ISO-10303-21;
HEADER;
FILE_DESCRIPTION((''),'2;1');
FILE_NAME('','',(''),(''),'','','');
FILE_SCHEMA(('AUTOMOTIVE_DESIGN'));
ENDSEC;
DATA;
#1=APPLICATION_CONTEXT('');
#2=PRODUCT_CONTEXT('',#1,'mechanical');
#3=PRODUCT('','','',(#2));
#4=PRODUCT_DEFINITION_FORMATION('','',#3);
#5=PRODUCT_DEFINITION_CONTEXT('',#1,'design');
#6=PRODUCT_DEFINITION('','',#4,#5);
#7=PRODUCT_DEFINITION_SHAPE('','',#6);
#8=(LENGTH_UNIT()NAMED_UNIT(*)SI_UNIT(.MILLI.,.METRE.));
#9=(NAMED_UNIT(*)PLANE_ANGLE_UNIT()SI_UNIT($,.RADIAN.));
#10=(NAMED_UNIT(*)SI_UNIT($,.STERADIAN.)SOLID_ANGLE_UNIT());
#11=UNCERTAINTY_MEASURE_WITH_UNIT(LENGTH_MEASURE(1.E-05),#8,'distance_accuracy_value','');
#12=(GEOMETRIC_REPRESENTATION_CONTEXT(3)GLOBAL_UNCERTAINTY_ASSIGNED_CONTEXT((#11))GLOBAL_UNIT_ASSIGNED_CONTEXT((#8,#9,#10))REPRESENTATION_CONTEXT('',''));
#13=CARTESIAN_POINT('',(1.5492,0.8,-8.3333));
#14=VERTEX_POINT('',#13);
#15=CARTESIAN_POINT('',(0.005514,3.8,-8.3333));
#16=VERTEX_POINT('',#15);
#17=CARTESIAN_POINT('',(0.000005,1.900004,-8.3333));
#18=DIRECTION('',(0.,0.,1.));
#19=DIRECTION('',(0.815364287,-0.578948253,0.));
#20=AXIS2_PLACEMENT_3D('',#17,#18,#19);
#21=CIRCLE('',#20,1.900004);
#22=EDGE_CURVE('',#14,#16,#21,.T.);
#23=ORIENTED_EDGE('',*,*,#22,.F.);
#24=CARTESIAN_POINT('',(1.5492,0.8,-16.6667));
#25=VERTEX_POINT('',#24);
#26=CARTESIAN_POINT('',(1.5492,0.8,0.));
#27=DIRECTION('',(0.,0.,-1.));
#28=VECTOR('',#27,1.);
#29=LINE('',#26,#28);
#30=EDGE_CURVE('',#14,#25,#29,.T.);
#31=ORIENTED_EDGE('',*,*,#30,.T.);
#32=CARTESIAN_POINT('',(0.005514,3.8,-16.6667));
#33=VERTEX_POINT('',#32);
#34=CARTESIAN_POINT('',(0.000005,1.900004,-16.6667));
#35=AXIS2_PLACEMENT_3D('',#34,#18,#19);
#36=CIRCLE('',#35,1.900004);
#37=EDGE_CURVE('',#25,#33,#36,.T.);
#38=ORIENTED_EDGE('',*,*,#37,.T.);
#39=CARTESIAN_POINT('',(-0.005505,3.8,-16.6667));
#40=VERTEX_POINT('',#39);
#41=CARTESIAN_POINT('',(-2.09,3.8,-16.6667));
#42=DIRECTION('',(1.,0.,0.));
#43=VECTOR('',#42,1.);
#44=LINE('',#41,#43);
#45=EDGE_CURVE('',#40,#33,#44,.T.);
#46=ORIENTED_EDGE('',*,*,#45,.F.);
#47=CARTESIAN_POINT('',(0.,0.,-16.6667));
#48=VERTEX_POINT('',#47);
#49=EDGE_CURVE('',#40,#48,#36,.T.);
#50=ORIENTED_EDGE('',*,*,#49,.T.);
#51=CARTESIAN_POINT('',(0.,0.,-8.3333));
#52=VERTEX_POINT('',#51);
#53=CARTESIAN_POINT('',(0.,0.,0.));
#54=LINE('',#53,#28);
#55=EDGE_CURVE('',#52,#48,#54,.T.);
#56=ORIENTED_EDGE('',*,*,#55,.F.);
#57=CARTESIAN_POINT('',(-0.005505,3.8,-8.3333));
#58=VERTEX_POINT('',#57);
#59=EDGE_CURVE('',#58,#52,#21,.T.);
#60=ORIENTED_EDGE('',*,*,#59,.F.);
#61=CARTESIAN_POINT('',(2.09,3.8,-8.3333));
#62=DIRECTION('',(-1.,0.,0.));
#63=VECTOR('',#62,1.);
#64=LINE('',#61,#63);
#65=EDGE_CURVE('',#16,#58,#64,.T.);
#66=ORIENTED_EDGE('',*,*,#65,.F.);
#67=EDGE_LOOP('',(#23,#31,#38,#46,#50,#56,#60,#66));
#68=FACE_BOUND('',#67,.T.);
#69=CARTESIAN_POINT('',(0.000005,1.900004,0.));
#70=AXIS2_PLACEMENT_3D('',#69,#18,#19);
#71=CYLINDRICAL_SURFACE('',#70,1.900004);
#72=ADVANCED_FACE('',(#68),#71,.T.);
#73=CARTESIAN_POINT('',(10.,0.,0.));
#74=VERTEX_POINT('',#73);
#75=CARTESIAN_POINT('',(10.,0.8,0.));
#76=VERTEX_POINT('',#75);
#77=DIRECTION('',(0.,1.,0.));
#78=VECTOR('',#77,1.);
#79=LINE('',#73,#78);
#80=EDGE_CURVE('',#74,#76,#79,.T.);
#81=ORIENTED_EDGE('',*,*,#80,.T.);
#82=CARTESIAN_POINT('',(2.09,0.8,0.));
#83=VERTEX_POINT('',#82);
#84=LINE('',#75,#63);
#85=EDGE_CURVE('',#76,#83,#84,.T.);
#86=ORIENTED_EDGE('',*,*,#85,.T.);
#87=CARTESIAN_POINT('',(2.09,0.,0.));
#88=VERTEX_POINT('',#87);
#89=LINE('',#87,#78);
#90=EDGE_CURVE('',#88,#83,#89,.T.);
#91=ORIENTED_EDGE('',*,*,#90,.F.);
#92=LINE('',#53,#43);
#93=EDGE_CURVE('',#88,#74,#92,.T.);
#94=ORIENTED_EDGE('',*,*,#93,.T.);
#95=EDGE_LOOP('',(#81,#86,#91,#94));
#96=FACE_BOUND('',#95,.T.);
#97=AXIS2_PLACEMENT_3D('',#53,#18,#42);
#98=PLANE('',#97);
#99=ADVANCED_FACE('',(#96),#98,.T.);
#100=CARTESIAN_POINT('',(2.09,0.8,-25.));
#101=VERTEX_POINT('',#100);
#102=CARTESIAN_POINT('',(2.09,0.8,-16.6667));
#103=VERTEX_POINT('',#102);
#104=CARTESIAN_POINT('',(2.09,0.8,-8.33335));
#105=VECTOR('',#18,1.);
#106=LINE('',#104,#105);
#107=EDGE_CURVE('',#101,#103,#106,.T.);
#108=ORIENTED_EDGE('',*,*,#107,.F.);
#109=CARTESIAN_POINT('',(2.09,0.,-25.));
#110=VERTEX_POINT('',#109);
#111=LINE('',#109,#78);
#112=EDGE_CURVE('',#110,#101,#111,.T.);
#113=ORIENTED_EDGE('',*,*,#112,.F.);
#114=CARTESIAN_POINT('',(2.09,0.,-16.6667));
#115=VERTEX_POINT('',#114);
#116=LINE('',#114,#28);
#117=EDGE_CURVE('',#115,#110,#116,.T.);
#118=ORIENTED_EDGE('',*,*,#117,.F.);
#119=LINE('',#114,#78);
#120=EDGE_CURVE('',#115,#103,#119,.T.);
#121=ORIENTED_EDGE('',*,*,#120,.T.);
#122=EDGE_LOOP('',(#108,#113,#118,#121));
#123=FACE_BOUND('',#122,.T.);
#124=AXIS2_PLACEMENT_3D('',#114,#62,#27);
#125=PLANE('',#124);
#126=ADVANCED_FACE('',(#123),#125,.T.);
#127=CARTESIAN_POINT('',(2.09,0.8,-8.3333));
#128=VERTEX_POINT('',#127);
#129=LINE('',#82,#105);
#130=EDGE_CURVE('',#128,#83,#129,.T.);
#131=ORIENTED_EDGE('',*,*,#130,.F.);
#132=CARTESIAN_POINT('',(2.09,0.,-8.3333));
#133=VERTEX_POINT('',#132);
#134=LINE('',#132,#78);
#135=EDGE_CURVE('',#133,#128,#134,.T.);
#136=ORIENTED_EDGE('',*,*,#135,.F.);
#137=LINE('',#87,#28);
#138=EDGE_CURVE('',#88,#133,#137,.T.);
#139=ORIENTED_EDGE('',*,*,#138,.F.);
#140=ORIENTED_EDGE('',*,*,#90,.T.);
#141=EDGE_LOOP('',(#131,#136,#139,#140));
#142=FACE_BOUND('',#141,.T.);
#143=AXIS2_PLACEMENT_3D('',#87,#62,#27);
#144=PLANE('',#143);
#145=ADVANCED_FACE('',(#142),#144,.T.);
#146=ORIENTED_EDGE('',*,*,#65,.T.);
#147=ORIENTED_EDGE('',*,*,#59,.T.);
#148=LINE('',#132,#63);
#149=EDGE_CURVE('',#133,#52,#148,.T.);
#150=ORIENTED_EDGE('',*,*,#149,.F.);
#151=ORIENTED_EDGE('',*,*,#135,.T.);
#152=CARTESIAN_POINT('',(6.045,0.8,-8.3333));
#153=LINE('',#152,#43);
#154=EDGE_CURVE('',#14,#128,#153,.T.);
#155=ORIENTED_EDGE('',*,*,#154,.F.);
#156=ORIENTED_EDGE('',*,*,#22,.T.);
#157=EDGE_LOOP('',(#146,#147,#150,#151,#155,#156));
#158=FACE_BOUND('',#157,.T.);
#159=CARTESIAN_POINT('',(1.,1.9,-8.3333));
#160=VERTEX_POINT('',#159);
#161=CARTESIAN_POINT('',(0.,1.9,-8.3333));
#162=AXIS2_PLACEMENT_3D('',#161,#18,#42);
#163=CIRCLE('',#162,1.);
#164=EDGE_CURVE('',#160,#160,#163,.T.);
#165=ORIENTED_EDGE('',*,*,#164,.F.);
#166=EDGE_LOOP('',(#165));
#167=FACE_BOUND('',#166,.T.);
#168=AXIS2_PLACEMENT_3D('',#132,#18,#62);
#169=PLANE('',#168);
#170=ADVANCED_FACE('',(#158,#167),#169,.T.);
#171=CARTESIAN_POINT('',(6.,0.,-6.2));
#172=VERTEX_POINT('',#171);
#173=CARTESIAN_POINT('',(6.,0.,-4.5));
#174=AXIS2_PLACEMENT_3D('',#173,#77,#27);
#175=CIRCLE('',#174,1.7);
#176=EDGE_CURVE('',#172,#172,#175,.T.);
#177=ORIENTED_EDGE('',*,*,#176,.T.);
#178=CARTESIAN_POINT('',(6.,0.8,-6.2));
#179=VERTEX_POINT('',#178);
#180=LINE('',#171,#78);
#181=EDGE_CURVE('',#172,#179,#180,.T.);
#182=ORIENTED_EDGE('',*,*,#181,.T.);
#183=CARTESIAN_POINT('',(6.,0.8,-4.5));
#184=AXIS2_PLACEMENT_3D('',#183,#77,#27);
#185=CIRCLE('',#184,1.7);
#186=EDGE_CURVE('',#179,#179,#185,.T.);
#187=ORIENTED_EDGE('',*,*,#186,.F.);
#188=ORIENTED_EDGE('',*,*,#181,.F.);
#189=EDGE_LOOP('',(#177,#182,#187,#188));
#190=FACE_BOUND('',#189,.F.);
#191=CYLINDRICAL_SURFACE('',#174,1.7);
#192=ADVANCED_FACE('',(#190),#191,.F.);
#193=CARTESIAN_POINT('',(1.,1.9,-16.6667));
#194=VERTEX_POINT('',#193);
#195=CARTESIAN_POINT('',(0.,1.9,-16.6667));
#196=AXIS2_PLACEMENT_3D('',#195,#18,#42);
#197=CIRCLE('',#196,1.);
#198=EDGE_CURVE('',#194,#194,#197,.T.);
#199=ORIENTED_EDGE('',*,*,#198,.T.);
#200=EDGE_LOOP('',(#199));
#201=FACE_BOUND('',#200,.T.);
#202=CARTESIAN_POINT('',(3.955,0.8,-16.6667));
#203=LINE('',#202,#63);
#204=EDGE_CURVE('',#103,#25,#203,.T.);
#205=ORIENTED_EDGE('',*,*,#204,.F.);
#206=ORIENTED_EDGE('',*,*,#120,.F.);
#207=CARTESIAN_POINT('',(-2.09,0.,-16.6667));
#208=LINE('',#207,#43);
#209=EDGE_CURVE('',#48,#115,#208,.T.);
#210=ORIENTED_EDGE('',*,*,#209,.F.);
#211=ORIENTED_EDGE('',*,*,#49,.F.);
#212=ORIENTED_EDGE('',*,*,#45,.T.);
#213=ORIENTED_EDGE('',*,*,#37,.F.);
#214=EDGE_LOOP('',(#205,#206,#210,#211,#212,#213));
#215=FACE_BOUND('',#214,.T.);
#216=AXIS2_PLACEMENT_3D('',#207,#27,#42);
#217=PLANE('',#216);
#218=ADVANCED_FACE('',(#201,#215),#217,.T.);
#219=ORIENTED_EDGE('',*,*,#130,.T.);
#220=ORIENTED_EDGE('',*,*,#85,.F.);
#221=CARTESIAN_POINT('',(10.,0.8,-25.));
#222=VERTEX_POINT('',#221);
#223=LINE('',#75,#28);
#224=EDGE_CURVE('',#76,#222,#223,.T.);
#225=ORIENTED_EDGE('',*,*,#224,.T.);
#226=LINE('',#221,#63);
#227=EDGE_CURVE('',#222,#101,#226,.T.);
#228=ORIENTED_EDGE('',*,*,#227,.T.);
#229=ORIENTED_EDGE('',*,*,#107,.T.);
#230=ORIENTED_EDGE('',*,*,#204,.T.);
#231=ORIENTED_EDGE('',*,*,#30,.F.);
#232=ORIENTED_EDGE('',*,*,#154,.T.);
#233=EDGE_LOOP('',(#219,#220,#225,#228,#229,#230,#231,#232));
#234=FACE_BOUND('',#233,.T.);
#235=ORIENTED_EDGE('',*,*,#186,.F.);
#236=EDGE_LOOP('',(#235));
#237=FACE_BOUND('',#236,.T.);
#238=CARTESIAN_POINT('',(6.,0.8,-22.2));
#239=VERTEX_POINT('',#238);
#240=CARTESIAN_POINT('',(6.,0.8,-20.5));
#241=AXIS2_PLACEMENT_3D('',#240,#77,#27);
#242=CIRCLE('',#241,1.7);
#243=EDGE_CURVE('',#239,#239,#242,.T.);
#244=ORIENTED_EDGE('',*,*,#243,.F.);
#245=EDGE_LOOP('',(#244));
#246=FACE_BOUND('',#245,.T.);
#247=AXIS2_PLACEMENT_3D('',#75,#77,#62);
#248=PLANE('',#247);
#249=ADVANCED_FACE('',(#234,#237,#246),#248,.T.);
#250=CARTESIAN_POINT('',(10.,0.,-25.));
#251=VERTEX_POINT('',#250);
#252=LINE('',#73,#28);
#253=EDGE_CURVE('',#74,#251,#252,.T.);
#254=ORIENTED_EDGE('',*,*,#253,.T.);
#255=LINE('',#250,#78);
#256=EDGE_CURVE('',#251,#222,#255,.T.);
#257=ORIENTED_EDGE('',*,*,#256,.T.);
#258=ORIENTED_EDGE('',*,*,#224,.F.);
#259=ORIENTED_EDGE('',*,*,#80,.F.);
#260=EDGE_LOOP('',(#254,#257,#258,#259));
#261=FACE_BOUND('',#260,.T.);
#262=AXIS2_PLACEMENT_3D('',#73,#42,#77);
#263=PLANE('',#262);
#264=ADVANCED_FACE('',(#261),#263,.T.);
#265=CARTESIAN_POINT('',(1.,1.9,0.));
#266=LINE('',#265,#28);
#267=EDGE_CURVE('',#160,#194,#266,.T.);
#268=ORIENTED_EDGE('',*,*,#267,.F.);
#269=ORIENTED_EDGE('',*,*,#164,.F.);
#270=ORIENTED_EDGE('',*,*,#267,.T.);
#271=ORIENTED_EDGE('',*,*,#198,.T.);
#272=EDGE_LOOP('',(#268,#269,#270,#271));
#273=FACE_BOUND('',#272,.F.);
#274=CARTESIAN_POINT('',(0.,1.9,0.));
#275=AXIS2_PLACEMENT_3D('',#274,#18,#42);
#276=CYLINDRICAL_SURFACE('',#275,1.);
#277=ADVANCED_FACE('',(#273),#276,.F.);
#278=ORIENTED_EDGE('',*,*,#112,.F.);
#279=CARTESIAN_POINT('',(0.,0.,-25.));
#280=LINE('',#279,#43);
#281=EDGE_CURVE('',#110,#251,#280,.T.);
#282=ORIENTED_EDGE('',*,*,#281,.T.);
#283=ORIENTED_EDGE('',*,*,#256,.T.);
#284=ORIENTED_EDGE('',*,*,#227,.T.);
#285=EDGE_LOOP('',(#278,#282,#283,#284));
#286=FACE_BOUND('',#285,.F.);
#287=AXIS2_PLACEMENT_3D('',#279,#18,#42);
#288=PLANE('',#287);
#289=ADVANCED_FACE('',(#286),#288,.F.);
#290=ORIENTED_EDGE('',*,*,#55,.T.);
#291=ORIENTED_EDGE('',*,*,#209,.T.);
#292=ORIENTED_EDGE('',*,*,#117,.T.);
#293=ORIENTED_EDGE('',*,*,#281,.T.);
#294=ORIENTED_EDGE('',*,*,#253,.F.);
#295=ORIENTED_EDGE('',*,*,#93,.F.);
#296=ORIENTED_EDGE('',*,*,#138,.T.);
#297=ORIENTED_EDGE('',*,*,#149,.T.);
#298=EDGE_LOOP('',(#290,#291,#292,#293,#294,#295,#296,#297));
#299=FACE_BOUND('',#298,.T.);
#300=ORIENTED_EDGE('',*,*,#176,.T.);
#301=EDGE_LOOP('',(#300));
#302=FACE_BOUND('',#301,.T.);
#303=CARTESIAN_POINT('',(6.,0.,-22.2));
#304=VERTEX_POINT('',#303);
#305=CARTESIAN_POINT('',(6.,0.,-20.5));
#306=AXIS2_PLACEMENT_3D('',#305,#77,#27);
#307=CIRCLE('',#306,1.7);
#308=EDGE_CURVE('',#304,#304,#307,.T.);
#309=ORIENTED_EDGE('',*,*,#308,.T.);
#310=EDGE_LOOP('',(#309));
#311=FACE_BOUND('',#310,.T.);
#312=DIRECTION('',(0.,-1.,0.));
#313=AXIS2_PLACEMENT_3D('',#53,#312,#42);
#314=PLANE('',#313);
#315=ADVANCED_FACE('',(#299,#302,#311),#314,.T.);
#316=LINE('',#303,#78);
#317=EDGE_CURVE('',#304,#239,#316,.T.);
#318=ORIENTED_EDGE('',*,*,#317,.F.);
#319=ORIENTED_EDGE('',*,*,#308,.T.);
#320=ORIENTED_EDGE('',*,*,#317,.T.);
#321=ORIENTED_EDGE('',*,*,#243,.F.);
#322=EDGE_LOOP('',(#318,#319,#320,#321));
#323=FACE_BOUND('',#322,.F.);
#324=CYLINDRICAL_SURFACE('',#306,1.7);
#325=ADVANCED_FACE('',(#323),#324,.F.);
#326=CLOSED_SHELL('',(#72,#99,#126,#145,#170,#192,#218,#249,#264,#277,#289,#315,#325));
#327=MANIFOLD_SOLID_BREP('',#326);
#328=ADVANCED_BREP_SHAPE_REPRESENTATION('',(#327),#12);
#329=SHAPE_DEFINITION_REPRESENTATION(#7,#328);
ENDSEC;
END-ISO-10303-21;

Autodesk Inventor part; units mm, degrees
sketch "Sketch_15" plane through (0, 0, 0) normal (0, 0, 1) x (1, 0, 0)
  arc A0 (1.5492, 0.8) -> (0, 0) centre (0, 1.9) ccw
  line L0 (0, 0) -> (10, 0)
  line L1 (10, 0) -> (10, 0.8)
  line L2 (10, 0.8) -> (1.5492, 0.8)
  circle A1 centre (0, 1.9) radius 1
extrude "Extrusion1" add sketch "Sketch_15" against normal blind 25
sketch "Sketch_1" plane through (0, 0, 0) normal (0, 1, 0) x (-1, 0, 0)
  line L0 (6, -25) -> (6, 0)
  line L1 (6, 0) -> (-2.09, 0)
  line L2 (-2.09, 0) -> (-2.09, -8.3333)
  line L3 (-2.09, -8.3333) -> (2.09, -8.3333)
  line L4 (2.09, -8.3333) -> (2.09, -16.6667)
  line L5 (2.09, -16.6667) -> (-2.09, -16.6667)
  line L6 (-2.09, -16.6667) -> (-2.09, -25)
  line L7 (-2.09, -25) -> (6, -25)
extrude "Extrusion2" cut sketch "Sketch_1" along normal blind 3.8
sketch "Sketch3" plane through (10, 0, -25) normal (0, -1, 0) x (1, 0, 0)
  point P0 (-4, 4.5)
hole "Hole1" at (6, 0, -20.5) direction (0, 1, 0) diameter 3.4 depth 0.8
pattern_linear "Rectangular Pattern1" count 2 spacing 16 along (0, 0, 1) of "Hole1"
ref_plane "to_leaf2_XY" through (0, 1.9, 0) normal (0, 0, 1) x (1, 0, 0)
ref_plane "to_leaf2_YZ" through (0, 1.9, 0) normal (1, 0, 0) x (0, 1, 0)
ref_plane "to_leaf2_ZX" through (0, 1.9, 0) normal (0, 1, 0) x (0, 0, 1)
properties part number "HHS25-LEAF1"
